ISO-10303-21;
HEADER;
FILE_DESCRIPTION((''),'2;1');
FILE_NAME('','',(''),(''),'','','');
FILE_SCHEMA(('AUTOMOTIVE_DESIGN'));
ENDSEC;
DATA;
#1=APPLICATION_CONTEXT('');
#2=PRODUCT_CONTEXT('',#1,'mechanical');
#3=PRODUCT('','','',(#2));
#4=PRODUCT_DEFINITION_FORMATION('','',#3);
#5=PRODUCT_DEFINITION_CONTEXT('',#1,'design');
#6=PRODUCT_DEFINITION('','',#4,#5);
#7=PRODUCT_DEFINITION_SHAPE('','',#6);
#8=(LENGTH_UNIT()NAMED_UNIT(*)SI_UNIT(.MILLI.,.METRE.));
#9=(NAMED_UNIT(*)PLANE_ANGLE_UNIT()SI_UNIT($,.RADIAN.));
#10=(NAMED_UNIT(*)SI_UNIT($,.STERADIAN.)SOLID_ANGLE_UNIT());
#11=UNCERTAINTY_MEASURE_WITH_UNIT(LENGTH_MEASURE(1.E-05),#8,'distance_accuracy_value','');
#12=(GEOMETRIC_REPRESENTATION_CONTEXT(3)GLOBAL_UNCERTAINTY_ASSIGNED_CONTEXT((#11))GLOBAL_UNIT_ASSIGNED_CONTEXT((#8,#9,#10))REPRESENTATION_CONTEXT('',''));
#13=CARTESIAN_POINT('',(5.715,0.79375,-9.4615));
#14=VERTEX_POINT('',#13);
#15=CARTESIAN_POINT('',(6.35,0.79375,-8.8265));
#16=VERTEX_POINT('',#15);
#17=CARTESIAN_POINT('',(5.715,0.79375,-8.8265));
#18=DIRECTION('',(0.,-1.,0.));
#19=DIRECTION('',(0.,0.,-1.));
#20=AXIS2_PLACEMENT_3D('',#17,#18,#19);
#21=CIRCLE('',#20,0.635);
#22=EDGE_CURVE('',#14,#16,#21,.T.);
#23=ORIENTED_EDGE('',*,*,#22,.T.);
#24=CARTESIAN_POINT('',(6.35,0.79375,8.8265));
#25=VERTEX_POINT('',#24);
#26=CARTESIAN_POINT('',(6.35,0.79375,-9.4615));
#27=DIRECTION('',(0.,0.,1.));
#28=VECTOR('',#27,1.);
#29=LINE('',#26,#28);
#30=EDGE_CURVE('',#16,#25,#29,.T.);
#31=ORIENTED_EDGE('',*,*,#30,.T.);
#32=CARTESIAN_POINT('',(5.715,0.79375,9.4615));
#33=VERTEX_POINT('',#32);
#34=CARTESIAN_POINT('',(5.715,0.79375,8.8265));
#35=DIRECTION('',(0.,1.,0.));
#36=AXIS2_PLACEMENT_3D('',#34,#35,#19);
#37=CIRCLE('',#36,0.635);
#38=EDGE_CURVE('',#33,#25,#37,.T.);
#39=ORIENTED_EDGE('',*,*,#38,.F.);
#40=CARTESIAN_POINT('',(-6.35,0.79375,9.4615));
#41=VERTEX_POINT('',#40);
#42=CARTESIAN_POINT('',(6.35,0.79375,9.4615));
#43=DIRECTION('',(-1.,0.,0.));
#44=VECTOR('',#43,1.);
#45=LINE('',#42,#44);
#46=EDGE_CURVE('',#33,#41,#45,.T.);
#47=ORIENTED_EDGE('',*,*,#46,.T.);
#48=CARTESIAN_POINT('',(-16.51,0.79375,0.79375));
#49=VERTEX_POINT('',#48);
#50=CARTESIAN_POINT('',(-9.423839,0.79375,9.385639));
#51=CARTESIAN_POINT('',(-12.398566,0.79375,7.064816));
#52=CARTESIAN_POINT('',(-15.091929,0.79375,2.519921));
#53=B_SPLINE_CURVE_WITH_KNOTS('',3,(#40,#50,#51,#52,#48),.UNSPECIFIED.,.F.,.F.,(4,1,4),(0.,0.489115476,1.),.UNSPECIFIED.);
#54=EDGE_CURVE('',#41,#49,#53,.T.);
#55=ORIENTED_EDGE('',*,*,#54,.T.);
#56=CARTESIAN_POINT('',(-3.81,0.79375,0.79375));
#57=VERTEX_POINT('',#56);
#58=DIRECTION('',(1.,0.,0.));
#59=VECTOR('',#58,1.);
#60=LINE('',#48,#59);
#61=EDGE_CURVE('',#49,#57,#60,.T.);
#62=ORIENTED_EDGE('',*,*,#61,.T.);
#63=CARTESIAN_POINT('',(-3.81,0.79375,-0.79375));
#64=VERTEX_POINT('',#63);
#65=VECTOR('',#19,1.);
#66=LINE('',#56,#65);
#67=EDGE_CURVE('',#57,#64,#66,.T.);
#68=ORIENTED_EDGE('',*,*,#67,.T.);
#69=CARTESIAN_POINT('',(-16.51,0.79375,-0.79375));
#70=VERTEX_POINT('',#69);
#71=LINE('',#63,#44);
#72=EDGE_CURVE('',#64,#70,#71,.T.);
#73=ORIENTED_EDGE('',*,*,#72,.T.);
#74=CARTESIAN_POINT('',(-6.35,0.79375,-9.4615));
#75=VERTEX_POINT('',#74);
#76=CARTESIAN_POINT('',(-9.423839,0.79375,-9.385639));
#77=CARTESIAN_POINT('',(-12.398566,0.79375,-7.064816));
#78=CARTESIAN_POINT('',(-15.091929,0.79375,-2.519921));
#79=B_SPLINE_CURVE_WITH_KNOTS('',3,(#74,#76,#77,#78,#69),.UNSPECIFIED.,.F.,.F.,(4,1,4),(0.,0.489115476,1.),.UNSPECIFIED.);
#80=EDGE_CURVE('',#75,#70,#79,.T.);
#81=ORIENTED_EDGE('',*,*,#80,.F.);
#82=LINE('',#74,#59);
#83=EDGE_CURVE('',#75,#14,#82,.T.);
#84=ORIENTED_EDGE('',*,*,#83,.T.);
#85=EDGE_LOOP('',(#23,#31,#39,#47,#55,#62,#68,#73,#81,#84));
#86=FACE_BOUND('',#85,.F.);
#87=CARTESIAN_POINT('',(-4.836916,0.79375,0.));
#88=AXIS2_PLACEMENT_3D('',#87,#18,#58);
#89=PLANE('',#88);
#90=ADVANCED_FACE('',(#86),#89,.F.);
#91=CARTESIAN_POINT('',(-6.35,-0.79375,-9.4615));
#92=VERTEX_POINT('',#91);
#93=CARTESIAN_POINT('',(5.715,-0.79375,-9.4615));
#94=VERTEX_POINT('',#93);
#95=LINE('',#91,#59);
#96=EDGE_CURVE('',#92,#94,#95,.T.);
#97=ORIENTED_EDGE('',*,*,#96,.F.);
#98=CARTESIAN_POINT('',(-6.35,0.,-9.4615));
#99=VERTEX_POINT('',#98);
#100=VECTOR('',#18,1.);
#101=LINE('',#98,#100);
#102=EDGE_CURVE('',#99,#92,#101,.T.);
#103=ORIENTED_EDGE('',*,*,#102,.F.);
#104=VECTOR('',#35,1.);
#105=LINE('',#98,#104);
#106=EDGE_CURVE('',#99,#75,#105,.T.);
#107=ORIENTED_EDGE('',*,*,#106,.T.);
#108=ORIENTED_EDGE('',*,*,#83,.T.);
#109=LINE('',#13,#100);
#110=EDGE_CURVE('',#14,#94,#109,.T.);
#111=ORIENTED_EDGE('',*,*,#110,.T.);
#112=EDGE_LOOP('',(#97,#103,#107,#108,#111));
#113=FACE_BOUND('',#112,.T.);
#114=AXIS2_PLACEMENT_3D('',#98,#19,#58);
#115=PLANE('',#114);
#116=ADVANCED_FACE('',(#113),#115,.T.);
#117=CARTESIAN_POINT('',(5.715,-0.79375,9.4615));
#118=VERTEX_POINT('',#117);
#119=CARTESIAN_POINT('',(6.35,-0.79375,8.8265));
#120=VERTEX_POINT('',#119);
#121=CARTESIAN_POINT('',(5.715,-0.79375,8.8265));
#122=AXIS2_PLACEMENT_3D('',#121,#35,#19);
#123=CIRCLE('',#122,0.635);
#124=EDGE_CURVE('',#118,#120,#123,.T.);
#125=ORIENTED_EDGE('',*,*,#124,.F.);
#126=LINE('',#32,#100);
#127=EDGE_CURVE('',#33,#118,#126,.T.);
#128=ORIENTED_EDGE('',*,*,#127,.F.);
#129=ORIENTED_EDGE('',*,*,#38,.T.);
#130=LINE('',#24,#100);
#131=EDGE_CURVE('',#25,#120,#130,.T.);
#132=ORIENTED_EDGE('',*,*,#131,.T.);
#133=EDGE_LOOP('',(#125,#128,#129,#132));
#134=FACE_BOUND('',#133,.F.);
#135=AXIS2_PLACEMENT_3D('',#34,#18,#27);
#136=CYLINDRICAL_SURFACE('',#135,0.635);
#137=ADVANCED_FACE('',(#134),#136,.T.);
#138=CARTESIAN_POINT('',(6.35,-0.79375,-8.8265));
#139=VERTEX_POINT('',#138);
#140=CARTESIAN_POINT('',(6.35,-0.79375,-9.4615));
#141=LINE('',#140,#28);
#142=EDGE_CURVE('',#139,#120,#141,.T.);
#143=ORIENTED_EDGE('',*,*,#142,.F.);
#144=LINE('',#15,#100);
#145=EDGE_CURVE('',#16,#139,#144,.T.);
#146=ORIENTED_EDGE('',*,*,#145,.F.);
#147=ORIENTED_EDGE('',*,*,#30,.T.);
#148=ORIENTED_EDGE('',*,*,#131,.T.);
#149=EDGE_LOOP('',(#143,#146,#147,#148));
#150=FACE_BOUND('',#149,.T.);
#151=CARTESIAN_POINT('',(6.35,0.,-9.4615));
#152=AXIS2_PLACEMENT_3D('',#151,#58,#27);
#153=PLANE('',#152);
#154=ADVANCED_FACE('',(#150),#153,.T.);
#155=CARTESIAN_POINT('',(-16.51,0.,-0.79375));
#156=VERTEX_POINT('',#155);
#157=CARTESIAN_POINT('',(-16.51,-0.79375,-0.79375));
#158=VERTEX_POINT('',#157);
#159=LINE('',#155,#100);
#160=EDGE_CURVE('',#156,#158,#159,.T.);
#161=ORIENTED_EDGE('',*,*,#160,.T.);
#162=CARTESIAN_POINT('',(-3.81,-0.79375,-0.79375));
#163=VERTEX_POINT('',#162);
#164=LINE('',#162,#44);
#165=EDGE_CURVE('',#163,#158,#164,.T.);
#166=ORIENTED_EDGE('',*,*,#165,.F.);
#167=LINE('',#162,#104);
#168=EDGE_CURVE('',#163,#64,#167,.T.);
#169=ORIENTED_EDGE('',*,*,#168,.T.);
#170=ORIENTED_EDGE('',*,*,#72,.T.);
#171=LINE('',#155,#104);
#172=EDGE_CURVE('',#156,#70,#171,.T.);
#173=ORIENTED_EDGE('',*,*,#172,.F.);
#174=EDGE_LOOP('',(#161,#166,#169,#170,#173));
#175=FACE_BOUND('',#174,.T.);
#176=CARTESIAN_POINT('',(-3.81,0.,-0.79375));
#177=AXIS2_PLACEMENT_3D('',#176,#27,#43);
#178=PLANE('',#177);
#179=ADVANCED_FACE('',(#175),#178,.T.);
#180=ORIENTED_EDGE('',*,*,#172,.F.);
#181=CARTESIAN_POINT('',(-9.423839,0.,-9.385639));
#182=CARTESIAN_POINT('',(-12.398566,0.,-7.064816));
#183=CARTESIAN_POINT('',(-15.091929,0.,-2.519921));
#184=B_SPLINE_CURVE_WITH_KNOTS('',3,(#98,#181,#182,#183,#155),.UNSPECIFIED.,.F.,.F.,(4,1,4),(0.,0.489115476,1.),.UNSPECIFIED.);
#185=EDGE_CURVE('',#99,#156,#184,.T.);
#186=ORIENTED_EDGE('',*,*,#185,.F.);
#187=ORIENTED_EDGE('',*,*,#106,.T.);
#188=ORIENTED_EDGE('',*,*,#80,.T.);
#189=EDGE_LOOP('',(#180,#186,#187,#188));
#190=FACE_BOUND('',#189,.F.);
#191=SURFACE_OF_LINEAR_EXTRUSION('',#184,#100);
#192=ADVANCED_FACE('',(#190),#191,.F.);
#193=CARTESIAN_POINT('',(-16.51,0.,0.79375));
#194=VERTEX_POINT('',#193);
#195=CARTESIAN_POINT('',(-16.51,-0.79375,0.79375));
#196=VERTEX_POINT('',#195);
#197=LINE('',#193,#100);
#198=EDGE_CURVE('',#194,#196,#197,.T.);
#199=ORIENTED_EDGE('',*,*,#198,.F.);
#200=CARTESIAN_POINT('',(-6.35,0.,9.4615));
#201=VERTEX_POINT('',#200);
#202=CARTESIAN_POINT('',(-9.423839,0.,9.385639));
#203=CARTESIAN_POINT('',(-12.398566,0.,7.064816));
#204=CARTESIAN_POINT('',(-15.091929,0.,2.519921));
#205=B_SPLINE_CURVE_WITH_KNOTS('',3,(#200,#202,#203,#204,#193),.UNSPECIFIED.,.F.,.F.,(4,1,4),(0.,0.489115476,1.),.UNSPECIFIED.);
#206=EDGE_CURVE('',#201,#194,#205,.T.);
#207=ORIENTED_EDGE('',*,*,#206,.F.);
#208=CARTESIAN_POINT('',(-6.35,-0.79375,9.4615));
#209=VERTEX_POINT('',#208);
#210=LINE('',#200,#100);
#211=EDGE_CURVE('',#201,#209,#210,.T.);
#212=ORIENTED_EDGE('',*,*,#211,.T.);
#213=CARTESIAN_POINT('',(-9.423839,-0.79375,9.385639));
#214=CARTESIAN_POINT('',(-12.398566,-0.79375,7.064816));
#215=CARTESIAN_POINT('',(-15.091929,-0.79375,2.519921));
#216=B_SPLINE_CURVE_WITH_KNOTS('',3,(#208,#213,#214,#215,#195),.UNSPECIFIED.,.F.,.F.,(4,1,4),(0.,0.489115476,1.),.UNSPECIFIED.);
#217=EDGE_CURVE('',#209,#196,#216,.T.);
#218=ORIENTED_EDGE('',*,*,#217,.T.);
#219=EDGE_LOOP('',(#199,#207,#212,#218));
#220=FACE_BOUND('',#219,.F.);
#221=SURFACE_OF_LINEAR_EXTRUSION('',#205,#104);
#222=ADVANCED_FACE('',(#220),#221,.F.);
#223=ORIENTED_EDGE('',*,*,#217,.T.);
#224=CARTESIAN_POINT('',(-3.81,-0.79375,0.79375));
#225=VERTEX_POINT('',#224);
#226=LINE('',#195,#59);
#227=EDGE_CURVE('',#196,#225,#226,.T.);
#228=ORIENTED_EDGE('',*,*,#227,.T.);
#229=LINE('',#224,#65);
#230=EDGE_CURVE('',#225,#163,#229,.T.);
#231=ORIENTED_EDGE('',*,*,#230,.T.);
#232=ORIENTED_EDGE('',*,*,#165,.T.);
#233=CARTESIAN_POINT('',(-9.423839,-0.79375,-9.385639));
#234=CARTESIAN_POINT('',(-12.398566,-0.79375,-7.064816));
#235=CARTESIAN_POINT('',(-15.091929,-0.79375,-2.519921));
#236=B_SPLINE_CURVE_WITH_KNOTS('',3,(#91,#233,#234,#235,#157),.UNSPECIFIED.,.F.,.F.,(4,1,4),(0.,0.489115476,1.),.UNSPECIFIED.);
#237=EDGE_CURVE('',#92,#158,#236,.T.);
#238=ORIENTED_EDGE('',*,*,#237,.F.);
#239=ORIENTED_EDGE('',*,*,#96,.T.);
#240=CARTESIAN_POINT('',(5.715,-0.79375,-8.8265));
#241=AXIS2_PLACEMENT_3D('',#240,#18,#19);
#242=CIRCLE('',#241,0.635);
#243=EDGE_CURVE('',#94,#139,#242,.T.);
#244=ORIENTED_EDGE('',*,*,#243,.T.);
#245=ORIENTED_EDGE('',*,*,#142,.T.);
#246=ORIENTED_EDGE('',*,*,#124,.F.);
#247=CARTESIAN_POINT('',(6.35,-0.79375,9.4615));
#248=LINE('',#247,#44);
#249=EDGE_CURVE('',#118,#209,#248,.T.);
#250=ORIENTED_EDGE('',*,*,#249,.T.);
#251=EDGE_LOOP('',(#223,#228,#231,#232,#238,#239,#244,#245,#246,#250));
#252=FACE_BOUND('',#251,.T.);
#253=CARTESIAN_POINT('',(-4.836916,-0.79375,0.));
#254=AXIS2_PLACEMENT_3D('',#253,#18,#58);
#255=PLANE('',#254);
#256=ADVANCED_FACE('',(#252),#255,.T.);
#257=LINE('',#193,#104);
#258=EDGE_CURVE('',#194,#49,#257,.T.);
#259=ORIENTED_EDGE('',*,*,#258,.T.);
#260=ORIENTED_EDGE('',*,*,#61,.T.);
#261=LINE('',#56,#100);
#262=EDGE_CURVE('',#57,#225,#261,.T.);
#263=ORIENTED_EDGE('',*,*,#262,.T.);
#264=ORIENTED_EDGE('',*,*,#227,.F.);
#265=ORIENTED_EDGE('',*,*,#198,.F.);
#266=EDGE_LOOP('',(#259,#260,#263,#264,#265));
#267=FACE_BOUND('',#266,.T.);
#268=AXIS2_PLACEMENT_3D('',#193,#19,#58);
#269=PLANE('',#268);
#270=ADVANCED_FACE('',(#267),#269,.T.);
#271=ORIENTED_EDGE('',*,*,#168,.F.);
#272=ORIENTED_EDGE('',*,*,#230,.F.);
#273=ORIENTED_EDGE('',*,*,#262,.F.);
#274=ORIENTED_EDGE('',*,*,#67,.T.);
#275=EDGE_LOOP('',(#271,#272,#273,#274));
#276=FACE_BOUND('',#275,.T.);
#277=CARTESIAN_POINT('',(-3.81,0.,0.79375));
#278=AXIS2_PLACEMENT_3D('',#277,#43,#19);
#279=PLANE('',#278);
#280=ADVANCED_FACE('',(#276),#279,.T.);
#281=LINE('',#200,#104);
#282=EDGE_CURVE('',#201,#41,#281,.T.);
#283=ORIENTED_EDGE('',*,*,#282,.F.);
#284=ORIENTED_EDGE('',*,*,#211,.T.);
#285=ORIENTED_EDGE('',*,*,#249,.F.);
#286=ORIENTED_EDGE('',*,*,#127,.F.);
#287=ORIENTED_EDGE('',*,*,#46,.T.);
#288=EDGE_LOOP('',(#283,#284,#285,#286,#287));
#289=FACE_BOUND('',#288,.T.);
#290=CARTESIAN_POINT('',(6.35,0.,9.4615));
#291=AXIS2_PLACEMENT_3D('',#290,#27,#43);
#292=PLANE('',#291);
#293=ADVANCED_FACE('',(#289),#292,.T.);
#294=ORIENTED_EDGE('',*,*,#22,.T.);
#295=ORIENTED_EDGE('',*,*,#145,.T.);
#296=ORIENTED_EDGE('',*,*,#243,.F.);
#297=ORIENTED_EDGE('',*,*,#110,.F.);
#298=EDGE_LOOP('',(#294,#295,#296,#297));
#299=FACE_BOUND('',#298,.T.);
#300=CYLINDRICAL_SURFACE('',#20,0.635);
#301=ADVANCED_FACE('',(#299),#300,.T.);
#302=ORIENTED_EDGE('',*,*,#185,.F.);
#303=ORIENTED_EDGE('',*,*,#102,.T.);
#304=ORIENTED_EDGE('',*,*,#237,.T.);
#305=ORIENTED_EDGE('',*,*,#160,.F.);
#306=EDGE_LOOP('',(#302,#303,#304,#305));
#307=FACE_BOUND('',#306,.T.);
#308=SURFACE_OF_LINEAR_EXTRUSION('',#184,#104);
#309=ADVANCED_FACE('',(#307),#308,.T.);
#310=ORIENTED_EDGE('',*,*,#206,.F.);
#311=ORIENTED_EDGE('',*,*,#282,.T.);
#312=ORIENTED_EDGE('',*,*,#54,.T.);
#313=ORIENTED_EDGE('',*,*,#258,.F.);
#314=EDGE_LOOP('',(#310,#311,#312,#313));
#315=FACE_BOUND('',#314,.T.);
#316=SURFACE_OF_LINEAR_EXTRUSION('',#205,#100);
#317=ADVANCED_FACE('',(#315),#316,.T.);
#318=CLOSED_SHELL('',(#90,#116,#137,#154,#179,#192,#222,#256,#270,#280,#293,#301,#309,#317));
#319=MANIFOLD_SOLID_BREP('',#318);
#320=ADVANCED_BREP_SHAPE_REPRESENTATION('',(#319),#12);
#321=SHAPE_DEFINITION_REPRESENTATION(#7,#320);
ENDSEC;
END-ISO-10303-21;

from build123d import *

# Parameters (mm, degrees)
F1_DEPTH = 0.79375
F2_R     = 0.635


with BuildPart() as f1:
    # F0 (on Front) → F1 (new body, symmetric)
    with BuildSketch(Plane.XZ):
        with BuildLine():
            Line((-6.35, -9.4615), (6.35, -9.4615))
            Line((6.35, -9.4615), (6.35, 9.4615))
            Line((6.35, 9.4615), (-6.35, 9.4615))
            add(Edge.make_bspline(
                [(-6.35, 9.4615), (-9.4238393137, 9.3856386824), (-12.3985658508, 7.064816161), (-15.0919286534, 2.519920934), (-16.51, 0.79375)],
                knots=[0, 0, 0, 0, 0.4891154758, 1, 1, 1, 1], degree=3))
            Line((-16.51, 0.79375), (-3.81, 0.79375))
            Line((-3.81, 0.79375), (-3.81, -0.79375))
            Line((-3.81, -0.79375), (-16.51, -0.79375))
            add(Edge.make_bspline(
                [(-6.35, -9.4615), (-9.4238393137, -9.3856386824), (-12.3985658508, -7.064816161), (-15.0919286534, -2.519920934), (-16.51, -0.79375)],
                knots=[0, 0, 0, 0, 0.4891154758, 1, 1, 1, 1], degree=3))
        make_face()
    extrude(amount=F1_DEPTH, both=True)

    # F2
    f2_edges = [f1.edges().sort_by_distance(p)[0] for p in [
        (6.35, 0, 9.4615),
        (6.35, 0, -9.4615),
    ]]
    fillet(f2_edges, radius=F2_R)


solid = f1.part
